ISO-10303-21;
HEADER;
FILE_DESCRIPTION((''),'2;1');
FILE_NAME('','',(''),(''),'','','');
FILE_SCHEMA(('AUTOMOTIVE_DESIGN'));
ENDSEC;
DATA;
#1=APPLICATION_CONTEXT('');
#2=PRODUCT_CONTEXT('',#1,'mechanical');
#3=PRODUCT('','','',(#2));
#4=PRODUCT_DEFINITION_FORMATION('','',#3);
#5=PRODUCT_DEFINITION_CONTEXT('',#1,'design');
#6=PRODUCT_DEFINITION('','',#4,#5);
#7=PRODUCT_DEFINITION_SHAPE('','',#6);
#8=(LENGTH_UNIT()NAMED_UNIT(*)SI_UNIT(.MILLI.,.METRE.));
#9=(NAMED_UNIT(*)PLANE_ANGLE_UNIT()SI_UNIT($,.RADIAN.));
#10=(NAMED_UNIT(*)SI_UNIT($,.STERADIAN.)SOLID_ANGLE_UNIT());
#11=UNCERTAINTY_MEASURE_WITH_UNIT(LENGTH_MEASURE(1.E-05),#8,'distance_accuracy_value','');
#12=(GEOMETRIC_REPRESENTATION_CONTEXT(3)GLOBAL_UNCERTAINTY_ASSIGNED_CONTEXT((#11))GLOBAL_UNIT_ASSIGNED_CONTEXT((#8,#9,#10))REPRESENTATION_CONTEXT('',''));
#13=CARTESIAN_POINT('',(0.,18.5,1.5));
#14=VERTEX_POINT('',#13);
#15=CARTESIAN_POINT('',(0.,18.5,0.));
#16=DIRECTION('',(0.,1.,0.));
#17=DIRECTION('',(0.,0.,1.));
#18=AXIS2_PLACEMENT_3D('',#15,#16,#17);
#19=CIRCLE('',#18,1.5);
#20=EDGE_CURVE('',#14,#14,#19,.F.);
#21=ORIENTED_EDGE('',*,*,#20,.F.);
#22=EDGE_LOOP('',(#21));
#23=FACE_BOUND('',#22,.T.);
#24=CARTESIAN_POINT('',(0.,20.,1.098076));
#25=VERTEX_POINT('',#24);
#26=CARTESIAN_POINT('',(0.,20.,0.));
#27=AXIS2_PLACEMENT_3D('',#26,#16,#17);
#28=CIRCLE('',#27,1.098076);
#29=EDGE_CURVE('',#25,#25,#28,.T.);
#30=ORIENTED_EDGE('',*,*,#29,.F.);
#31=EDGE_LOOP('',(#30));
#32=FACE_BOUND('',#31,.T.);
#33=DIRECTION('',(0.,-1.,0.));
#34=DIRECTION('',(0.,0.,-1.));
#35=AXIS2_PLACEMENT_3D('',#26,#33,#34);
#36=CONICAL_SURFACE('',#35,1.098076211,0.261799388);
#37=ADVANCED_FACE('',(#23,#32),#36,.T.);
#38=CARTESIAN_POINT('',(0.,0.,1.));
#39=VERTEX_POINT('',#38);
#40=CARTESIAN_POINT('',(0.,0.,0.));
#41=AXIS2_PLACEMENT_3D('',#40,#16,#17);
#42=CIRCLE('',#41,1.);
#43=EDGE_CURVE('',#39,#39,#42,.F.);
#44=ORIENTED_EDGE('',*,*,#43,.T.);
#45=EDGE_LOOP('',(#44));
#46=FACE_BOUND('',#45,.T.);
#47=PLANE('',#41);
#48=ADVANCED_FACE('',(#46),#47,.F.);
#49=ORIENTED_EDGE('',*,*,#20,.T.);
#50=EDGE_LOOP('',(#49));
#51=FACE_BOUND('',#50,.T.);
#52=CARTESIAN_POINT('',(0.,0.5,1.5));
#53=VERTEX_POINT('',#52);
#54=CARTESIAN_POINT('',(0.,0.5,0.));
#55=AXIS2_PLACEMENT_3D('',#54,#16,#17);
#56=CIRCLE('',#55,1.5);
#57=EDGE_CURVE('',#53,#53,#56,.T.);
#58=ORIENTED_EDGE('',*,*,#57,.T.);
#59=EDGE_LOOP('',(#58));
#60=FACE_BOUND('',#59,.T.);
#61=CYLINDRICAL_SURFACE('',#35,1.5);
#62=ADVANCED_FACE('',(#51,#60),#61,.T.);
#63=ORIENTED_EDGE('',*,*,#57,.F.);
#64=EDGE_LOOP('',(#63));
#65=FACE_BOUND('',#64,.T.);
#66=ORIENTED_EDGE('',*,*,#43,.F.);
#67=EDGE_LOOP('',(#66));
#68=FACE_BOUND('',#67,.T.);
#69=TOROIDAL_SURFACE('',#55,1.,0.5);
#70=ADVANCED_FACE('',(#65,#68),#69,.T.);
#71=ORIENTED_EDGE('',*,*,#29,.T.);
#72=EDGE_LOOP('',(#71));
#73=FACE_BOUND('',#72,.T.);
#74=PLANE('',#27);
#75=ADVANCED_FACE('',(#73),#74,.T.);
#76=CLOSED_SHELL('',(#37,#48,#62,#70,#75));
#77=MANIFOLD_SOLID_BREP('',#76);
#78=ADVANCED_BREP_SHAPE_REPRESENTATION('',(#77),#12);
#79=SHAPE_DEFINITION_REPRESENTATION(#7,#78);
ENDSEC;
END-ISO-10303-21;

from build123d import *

# Parameters (mm, degrees)
SKETCH1_R           = 1.5
BOSS_EXTRUDE1_DEPTH = 20
CHAMFER1_SIZE       = 1.5
CHAMFER1_SIZE2      = 0.401923789
FILLET1_R           = 0.5


with BuildPart() as part:
    # Sketch1 → Boss-Extrude1 (new body)
    with BuildSketch(Plane(origin=(0, 0, 0), x_dir=(1, 0, 0), z_dir=(0, 1, 0))):
        with Locations(Location((0, 0, 0), (0, 0, 270))):
            Circle(SKETCH1_R)
    extrude(amount=BOSS_EXTRUDE1_DEPTH)

    # Chamfer1
    chamfer1_edges = [part.edges().sort_by_distance(p)[0] for p in [
        (0, 20, -1.5),
    ]]
    chamfer1_side = [part.faces().sort_by_distance(p)[0] for p in [
        (0, 10, -1.5),
    ]]
    chamfer(chamfer1_edges, length=CHAMFER1_SIZE, length2=CHAMFER1_SIZE2, reference=chamfer1_side[0])

    # Fillet1
    fillet1_edges = [part.edges().sort_by_distance(p)[0] for p in [
        (0, 0, -1.5),
    ]]
    fillet(fillet1_edges, radius=FILLET1_R)


solid = part.part
